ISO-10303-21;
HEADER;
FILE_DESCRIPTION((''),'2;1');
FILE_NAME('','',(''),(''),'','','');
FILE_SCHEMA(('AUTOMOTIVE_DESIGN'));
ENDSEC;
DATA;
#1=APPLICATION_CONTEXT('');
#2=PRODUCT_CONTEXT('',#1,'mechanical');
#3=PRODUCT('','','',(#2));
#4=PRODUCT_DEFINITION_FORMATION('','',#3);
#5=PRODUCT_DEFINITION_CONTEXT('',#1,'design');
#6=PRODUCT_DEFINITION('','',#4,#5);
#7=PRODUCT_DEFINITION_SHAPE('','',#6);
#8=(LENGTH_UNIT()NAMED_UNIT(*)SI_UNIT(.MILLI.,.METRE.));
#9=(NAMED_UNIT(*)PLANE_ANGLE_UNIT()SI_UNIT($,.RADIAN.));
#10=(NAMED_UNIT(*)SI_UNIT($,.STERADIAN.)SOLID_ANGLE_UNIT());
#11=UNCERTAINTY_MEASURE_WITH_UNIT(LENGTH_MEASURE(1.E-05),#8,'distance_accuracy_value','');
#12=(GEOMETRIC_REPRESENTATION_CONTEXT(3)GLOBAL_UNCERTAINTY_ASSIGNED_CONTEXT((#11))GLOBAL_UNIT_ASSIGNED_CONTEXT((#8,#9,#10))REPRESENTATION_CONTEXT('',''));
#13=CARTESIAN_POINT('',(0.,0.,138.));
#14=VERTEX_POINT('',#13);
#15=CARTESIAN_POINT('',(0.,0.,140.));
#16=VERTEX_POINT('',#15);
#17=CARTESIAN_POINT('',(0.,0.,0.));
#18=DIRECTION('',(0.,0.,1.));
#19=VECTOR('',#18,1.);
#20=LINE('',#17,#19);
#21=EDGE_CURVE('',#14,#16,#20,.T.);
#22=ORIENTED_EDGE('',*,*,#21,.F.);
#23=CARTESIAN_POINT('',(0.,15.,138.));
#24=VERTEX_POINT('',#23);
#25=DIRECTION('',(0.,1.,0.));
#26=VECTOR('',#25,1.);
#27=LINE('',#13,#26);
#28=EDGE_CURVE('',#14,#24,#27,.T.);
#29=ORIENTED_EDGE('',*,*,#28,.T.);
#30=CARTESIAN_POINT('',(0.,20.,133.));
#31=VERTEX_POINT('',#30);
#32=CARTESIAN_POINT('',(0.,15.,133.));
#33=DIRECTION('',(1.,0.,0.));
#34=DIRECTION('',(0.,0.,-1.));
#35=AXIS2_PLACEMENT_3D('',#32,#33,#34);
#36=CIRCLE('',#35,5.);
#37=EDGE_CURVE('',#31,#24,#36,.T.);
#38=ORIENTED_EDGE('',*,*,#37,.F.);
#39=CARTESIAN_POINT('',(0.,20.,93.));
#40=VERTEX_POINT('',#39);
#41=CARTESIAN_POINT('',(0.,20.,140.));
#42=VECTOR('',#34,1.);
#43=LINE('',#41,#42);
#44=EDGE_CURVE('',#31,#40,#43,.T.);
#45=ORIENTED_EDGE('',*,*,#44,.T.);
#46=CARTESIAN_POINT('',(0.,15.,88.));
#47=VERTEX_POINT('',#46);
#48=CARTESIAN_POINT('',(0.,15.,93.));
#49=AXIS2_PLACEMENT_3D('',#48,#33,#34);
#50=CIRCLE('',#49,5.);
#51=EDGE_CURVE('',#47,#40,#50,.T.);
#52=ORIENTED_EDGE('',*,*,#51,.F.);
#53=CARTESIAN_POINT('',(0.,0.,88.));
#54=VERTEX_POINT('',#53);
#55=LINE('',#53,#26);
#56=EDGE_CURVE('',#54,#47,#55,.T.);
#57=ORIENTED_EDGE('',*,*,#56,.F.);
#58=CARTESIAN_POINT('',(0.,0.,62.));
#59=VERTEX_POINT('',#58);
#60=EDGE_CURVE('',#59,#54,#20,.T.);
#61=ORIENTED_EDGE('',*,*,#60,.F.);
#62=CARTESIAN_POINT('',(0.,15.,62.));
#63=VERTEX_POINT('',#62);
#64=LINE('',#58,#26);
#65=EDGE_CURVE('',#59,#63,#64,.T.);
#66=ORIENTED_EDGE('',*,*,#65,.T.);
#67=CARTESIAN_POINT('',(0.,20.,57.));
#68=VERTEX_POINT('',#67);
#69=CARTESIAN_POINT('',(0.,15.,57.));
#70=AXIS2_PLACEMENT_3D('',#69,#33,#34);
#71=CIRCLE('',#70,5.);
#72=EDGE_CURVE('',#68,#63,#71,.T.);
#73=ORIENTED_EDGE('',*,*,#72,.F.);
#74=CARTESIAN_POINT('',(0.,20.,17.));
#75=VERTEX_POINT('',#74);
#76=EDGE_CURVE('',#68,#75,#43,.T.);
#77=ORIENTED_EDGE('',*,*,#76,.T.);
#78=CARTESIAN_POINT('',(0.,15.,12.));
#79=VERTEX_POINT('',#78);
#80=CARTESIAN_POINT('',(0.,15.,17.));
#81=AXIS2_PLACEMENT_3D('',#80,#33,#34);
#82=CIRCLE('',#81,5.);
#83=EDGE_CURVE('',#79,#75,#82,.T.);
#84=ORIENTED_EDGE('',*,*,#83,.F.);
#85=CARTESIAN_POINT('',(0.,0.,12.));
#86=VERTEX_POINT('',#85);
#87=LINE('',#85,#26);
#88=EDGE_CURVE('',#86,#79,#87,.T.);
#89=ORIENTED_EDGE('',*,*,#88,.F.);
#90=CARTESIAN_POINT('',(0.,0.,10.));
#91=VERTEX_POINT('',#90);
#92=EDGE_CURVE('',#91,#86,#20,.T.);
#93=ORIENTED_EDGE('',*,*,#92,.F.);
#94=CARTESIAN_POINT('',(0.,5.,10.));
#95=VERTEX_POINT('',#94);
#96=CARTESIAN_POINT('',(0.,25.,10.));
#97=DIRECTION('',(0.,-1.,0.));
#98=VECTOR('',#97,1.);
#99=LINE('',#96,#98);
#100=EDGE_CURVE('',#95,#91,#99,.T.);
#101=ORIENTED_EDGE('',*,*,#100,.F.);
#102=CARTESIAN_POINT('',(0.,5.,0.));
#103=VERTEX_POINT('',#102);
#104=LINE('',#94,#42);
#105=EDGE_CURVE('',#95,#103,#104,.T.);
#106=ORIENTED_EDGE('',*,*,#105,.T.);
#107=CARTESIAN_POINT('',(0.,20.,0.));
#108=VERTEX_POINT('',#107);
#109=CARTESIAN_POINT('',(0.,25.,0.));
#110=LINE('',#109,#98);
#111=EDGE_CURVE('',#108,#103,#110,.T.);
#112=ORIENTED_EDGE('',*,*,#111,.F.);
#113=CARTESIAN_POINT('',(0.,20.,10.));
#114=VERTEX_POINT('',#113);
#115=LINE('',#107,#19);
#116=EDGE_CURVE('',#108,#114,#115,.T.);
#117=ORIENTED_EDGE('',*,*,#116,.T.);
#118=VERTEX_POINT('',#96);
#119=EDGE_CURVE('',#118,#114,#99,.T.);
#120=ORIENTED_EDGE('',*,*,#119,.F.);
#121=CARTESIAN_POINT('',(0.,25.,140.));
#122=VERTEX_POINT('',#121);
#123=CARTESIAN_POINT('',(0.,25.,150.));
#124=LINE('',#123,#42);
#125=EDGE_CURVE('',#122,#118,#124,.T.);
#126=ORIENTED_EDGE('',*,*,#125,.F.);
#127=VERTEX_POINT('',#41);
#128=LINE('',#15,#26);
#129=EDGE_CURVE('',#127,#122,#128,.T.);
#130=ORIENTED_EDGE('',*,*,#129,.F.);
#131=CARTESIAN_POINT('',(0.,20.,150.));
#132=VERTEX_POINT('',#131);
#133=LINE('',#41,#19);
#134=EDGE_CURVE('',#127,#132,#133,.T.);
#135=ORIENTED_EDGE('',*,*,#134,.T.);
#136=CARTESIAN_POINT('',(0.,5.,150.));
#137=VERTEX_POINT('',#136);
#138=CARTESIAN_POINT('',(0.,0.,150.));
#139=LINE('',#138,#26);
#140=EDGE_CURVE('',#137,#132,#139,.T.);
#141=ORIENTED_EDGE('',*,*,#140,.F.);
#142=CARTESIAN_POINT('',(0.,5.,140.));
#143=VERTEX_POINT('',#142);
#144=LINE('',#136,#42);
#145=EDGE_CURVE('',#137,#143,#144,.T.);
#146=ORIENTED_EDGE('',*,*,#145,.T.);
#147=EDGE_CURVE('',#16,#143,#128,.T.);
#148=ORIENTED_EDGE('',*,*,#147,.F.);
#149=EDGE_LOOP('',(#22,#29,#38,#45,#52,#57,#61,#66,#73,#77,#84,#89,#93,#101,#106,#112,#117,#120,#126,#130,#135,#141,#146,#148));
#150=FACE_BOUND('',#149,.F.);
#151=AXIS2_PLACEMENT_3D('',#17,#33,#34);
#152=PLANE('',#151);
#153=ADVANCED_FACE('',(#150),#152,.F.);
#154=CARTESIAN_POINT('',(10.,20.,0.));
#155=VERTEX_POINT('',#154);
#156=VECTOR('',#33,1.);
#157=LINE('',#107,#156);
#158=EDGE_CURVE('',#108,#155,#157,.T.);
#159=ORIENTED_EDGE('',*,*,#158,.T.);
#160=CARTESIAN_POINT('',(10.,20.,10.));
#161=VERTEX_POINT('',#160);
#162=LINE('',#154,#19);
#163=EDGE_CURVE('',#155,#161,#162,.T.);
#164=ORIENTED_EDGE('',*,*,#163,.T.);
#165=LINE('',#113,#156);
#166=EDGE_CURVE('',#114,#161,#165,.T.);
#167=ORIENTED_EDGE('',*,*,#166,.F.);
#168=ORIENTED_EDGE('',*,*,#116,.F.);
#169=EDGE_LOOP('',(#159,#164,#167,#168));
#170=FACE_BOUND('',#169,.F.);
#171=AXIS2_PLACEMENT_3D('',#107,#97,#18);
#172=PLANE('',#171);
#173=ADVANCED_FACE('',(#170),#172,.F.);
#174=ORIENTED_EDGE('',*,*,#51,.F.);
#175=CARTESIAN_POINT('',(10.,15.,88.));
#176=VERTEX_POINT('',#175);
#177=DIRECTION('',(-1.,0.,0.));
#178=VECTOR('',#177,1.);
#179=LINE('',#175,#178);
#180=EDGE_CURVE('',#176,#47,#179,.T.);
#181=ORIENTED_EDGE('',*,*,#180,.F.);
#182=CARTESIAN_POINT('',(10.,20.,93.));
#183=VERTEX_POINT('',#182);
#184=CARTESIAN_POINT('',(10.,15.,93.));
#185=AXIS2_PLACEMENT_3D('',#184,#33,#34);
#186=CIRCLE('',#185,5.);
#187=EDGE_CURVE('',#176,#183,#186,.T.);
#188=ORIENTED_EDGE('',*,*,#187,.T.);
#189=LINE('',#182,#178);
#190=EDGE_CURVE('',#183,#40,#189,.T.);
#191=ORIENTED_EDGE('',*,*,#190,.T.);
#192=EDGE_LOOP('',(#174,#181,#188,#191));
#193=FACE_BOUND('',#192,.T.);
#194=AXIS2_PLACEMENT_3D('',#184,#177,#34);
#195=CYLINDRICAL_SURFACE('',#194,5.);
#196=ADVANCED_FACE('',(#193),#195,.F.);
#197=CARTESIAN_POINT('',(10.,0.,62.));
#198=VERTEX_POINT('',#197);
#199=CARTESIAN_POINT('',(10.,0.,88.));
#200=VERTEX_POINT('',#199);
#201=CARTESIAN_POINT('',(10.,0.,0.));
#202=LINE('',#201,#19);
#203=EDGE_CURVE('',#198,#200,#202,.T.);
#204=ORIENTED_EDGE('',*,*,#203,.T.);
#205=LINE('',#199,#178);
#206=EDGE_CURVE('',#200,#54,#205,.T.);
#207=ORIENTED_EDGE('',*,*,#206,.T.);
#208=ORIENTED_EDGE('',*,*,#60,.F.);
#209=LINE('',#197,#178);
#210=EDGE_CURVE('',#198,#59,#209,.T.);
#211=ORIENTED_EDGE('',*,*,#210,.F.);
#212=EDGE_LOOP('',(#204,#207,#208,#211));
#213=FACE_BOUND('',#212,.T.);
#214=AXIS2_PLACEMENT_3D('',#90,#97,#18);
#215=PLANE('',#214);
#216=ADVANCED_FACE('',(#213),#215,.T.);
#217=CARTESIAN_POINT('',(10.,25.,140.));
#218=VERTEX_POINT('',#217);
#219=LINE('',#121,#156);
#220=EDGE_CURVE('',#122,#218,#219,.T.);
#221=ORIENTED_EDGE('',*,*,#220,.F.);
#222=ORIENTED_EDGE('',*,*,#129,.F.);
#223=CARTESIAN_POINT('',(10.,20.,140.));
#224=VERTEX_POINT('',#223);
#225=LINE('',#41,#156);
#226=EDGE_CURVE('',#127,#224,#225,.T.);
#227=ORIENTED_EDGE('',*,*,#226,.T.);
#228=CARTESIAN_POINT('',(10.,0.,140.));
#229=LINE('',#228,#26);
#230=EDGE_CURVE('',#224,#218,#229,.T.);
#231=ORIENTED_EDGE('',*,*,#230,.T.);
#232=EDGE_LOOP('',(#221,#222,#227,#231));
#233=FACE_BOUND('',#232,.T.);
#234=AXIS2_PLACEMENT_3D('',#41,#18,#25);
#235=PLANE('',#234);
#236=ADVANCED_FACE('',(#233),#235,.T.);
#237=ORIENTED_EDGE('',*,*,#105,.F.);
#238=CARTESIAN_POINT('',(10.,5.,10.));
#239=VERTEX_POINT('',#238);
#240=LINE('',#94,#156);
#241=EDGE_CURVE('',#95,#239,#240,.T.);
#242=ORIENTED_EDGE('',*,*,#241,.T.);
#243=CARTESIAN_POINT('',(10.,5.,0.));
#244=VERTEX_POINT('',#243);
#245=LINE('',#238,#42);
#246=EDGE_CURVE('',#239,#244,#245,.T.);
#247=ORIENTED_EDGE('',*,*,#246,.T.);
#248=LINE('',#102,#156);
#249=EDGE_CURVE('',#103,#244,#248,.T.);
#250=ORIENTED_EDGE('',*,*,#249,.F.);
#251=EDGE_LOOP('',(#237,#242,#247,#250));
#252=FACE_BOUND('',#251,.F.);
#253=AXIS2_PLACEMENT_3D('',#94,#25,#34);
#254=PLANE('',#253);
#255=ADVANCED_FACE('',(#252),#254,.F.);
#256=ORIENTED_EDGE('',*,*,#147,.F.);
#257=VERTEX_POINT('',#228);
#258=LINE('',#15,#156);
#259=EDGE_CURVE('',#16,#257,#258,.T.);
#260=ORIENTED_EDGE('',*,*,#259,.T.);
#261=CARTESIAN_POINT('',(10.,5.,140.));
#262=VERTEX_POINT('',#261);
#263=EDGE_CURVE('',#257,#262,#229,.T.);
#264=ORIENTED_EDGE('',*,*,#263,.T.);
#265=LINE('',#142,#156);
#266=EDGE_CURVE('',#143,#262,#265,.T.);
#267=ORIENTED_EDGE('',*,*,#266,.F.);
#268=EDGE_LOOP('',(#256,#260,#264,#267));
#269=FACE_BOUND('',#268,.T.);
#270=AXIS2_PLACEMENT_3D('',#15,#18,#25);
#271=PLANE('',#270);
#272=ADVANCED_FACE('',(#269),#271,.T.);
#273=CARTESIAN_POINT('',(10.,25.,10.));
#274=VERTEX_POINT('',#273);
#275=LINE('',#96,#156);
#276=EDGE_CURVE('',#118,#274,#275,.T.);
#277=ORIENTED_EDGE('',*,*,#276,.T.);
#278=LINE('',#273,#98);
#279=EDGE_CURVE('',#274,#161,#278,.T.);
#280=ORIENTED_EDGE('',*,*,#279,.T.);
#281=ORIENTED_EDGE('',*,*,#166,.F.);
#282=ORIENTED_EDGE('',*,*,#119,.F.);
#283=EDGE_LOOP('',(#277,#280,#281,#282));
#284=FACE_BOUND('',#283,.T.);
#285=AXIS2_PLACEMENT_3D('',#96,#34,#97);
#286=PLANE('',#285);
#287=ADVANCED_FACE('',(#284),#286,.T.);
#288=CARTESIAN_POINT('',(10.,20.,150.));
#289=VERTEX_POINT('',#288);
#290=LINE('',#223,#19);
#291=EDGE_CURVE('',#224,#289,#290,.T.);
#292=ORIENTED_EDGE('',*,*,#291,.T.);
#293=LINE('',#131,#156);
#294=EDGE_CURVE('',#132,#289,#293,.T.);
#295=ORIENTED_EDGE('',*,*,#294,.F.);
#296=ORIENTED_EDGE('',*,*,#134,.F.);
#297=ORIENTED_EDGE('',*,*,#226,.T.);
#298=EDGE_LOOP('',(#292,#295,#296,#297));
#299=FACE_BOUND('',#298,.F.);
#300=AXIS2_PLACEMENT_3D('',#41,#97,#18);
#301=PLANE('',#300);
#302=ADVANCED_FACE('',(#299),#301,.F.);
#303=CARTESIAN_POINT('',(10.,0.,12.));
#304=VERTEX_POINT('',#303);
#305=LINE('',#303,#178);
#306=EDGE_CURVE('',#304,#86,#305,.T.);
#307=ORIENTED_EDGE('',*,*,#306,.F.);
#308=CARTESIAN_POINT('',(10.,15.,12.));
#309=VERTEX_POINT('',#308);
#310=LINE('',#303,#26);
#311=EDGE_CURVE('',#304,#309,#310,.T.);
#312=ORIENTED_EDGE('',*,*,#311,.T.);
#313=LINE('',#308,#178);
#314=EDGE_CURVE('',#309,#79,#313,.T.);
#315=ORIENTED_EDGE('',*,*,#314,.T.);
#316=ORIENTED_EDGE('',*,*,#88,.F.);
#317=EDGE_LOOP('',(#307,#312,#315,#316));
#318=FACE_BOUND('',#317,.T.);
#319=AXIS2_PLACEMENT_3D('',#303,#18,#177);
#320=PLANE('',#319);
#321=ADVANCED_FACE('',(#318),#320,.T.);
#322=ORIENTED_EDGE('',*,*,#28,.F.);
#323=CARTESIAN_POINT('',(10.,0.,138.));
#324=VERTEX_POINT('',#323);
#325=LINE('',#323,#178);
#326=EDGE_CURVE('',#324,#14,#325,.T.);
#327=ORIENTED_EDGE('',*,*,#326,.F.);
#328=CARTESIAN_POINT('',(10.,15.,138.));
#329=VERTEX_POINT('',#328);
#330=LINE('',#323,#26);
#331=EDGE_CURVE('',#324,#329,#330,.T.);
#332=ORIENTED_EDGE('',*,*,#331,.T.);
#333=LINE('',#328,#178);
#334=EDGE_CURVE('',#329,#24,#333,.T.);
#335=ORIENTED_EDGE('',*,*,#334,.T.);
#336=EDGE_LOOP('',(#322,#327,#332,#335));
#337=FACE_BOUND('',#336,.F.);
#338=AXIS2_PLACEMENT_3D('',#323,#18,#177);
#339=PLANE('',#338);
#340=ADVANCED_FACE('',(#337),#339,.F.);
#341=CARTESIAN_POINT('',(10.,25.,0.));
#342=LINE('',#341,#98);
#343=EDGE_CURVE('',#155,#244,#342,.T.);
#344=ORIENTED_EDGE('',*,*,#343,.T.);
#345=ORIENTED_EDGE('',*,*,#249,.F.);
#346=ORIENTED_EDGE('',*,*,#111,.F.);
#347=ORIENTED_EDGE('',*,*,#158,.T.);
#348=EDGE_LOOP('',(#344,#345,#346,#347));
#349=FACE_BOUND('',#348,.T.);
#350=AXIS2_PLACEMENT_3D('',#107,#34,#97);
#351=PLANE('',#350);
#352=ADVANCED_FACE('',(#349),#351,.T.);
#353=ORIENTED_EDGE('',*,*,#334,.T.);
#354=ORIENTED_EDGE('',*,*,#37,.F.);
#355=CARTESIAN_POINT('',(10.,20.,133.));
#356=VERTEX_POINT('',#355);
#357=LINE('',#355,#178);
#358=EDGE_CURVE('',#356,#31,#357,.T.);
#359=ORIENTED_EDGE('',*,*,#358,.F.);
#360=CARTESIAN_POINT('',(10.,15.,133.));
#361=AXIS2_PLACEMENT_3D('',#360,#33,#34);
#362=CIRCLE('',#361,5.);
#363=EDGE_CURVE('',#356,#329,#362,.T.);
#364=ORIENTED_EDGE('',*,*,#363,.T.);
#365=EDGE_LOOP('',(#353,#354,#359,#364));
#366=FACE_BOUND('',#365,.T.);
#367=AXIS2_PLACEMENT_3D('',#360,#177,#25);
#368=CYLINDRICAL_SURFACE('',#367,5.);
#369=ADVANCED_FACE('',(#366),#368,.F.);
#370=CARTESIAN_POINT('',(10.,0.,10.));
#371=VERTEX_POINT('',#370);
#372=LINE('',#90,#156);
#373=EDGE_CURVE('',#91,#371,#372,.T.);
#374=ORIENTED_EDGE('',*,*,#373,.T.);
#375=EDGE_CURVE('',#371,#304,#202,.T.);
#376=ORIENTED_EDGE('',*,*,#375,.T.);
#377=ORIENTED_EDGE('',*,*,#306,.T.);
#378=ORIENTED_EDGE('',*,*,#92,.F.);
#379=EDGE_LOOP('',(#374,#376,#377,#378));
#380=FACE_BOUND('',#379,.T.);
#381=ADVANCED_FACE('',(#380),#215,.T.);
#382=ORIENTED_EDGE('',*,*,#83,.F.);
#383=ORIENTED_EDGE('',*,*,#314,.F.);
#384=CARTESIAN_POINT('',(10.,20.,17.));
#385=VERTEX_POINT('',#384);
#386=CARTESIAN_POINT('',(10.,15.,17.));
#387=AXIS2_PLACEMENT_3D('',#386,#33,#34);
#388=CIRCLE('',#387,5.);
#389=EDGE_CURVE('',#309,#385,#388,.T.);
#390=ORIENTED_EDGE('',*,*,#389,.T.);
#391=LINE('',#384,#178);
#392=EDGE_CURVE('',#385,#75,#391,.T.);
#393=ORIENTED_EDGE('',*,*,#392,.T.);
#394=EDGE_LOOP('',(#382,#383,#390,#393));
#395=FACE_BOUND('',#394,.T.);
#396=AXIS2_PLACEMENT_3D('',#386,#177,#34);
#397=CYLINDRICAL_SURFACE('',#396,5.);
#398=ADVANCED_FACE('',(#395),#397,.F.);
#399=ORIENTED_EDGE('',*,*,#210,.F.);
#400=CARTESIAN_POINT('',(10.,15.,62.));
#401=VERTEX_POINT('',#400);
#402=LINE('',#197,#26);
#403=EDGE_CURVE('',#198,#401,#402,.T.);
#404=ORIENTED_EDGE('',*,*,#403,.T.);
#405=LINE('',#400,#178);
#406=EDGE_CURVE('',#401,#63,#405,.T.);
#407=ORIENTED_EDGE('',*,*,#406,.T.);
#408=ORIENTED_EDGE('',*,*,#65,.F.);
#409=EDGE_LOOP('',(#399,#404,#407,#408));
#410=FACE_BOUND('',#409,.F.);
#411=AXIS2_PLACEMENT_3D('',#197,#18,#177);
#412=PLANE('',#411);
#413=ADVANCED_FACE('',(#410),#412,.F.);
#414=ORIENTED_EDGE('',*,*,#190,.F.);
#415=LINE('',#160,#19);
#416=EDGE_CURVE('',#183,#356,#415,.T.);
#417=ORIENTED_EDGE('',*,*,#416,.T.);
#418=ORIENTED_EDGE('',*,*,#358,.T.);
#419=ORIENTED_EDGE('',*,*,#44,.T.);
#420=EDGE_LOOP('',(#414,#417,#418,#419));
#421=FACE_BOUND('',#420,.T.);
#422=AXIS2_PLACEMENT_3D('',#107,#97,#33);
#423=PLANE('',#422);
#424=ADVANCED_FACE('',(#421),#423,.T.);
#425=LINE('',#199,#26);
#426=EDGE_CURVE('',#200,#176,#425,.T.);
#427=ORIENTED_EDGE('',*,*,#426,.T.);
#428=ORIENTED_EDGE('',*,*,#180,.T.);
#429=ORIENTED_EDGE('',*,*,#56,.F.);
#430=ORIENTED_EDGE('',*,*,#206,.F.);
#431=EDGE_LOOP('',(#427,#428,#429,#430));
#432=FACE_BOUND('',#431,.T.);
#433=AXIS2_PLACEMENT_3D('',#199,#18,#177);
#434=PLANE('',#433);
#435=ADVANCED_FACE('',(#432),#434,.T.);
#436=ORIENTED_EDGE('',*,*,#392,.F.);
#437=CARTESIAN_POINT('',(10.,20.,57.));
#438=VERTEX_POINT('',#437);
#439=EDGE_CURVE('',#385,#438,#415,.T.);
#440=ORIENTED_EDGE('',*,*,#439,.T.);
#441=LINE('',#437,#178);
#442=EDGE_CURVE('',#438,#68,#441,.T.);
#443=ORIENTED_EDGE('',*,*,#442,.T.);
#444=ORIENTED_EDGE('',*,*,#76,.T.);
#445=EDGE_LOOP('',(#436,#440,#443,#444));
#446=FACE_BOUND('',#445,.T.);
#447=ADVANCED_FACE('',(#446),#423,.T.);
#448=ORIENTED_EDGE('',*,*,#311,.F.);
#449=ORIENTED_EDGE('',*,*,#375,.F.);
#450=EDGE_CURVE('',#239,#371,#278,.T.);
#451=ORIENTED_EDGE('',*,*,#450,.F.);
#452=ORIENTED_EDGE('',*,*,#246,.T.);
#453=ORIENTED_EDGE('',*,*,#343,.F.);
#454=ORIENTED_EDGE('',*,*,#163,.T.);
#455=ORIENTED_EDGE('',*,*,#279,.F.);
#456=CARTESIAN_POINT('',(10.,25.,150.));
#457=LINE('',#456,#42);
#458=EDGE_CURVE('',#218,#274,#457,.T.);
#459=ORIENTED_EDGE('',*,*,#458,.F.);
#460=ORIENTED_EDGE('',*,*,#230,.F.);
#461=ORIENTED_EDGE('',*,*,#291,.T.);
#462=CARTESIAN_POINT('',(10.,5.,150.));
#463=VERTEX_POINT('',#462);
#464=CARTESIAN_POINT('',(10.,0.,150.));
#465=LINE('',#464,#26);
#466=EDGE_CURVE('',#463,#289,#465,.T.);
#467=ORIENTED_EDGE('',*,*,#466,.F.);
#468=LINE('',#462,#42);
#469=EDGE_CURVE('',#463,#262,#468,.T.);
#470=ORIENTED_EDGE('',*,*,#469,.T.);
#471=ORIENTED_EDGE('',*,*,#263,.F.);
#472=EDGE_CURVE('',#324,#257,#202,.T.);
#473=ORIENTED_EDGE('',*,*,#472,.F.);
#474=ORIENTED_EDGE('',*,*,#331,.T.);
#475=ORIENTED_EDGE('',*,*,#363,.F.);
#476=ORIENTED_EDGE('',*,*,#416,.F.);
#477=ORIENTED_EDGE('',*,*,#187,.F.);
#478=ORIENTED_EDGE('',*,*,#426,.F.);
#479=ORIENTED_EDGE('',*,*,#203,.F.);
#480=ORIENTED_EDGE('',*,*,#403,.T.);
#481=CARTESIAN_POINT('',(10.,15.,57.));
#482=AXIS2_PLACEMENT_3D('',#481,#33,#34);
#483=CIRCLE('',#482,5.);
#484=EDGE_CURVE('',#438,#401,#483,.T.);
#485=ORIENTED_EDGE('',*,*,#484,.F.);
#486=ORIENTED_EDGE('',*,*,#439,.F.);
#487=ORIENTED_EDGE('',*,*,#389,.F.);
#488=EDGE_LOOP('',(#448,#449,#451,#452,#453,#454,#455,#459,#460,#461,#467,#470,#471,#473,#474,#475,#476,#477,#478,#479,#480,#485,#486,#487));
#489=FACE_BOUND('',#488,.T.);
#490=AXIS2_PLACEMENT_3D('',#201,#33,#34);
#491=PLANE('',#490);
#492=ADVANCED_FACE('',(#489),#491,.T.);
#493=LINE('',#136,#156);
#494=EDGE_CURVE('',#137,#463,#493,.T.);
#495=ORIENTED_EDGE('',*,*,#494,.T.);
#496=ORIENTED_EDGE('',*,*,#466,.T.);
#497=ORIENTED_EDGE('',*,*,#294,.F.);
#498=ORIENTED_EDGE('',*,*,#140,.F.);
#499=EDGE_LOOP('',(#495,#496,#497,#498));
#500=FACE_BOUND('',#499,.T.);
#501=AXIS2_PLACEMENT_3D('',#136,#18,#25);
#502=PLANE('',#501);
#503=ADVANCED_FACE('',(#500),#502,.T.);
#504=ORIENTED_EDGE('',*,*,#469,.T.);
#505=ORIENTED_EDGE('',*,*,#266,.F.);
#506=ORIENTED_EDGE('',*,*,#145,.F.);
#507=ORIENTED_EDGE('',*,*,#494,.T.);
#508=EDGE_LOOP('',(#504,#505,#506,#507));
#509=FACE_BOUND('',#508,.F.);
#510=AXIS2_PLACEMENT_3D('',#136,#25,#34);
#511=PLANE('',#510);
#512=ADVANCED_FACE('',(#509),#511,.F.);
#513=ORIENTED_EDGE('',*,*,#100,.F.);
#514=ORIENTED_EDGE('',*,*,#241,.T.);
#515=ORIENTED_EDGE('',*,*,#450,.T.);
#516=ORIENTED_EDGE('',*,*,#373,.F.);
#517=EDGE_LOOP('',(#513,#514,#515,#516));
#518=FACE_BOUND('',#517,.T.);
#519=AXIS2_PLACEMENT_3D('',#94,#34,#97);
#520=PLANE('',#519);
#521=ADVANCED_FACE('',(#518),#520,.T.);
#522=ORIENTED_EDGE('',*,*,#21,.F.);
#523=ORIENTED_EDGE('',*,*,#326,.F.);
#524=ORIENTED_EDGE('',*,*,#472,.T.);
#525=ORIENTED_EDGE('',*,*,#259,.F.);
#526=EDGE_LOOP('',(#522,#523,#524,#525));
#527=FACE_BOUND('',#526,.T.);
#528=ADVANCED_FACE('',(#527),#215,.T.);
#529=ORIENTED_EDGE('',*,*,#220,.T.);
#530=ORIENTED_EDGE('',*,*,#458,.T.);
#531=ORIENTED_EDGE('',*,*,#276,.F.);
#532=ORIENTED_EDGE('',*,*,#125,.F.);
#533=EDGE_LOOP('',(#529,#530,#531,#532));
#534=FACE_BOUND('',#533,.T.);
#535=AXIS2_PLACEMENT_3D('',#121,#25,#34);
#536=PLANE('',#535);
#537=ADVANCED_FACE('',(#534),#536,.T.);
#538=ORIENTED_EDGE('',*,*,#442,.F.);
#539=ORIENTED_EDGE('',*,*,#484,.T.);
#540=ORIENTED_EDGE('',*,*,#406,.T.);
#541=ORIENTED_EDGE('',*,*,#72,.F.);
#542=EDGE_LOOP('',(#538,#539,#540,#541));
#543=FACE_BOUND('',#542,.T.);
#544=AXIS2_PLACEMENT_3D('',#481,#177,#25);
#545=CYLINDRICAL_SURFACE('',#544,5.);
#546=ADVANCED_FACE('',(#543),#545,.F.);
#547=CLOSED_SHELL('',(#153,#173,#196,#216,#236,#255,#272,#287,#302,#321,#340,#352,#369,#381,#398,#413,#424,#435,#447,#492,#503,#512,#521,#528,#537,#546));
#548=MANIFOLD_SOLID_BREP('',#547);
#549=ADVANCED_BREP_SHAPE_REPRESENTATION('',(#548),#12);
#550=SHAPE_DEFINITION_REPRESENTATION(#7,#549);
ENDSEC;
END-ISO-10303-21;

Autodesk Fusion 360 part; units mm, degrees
sketch "Sketch1" plane through (0, 0, 0) normal (1, 0, 0) x (0, 0, -1)
  line L0 (0, 0) -> (-150, 0)
  line L1 (-150, 0) -> (-150, 25)
  line L2 (-150, 25) -> (0, 25)
  line L3 (0, 25) -> (0, 0)
  line L4 (-10, 0) -> (-140, 0)
  line L5 (-140, 0) -> (-140, 25)
  line L6 (-140, 25) -> (-10, 25)
  line L7 (-10, 25) -> (-10, 0)
  line L8 (-140, 20) -> (-150, 20)
  line L9 (-150, 20) -> (-150, 5)
  line L10 (-150, 5) -> (-140, 5)
  line L11 (-140, 5) -> (-140, 20)
  line L12 (-10, 5) -> (0, 5)
  line L13 (0, 5) -> (0, 20)
  line L14 (0, 20) -> (-10, 20)
  line L15 (-10, 20) -> (-10, 5)
  dimension "d1" = 150
  dimension "d2" = 25
  dimension "d3" = 130
  dimension "d4" = 25
extrude "Extrude1" add sketch "Sketch1" along normal blind 10 contours L0 L2 L4 L5 L6 L7 L11 L15 | L3 L7 L12 L13 L14 L15 | L1 L5 L8 L9 L10 L11
sketch "Sketch2" plane through (0, 0, 0) normal (0, -1, 0) x (1, 0, 0)
  line L0 (0, 140) -> (0, 10)
  line L1 (0, 10) -> (10, 10)
  line L2 (10, 10) -> (10, 140)
  line L3 (10, 140) -> (0, 140)
  line L4 (0, 140) -> (10, 140)
  line L5 (10, 140) -> (10, 88)
  line L6 (10, 88) -> (0, 88)
  line L7 (0, 88) -> (0, 140)
  line L8 (0, 10) -> (10, 10)
  line L9 (10, 10) -> (10, 62)
  line L10 (10, 62) -> (0, 62)
  line L11 (0, 62) -> (0, 10)
  line L12 (0, 140) -> (10, 140)
  line L13 (10, 140) -> (10, 138)
  line L14 (10, 138) -> (0, 138)
  line L15 (0, 138) -> (0, 140)
  line L16 (0, 10) -> (10, 10)
  line L17 (10, 10) -> (10, 12)
  line L18 (10, 12) -> (0, 12)
  line L19 (0, 12) -> (0, 10)
  dimension "d7" = 52
  dimension "d8" = 52
  dimension "d9" = 2
extrude "Extrude2" cut sketch "Sketch2" against normal blind 20 contours L0 L2 L5 L6 L7 L14 | L0 L2 L9 L10 L11 L18
fillet "Fillet1" radius 5 4 edges at (5, 20, 138) (5, 20, 88) (5, 20, 62) (5, 20, 12)
